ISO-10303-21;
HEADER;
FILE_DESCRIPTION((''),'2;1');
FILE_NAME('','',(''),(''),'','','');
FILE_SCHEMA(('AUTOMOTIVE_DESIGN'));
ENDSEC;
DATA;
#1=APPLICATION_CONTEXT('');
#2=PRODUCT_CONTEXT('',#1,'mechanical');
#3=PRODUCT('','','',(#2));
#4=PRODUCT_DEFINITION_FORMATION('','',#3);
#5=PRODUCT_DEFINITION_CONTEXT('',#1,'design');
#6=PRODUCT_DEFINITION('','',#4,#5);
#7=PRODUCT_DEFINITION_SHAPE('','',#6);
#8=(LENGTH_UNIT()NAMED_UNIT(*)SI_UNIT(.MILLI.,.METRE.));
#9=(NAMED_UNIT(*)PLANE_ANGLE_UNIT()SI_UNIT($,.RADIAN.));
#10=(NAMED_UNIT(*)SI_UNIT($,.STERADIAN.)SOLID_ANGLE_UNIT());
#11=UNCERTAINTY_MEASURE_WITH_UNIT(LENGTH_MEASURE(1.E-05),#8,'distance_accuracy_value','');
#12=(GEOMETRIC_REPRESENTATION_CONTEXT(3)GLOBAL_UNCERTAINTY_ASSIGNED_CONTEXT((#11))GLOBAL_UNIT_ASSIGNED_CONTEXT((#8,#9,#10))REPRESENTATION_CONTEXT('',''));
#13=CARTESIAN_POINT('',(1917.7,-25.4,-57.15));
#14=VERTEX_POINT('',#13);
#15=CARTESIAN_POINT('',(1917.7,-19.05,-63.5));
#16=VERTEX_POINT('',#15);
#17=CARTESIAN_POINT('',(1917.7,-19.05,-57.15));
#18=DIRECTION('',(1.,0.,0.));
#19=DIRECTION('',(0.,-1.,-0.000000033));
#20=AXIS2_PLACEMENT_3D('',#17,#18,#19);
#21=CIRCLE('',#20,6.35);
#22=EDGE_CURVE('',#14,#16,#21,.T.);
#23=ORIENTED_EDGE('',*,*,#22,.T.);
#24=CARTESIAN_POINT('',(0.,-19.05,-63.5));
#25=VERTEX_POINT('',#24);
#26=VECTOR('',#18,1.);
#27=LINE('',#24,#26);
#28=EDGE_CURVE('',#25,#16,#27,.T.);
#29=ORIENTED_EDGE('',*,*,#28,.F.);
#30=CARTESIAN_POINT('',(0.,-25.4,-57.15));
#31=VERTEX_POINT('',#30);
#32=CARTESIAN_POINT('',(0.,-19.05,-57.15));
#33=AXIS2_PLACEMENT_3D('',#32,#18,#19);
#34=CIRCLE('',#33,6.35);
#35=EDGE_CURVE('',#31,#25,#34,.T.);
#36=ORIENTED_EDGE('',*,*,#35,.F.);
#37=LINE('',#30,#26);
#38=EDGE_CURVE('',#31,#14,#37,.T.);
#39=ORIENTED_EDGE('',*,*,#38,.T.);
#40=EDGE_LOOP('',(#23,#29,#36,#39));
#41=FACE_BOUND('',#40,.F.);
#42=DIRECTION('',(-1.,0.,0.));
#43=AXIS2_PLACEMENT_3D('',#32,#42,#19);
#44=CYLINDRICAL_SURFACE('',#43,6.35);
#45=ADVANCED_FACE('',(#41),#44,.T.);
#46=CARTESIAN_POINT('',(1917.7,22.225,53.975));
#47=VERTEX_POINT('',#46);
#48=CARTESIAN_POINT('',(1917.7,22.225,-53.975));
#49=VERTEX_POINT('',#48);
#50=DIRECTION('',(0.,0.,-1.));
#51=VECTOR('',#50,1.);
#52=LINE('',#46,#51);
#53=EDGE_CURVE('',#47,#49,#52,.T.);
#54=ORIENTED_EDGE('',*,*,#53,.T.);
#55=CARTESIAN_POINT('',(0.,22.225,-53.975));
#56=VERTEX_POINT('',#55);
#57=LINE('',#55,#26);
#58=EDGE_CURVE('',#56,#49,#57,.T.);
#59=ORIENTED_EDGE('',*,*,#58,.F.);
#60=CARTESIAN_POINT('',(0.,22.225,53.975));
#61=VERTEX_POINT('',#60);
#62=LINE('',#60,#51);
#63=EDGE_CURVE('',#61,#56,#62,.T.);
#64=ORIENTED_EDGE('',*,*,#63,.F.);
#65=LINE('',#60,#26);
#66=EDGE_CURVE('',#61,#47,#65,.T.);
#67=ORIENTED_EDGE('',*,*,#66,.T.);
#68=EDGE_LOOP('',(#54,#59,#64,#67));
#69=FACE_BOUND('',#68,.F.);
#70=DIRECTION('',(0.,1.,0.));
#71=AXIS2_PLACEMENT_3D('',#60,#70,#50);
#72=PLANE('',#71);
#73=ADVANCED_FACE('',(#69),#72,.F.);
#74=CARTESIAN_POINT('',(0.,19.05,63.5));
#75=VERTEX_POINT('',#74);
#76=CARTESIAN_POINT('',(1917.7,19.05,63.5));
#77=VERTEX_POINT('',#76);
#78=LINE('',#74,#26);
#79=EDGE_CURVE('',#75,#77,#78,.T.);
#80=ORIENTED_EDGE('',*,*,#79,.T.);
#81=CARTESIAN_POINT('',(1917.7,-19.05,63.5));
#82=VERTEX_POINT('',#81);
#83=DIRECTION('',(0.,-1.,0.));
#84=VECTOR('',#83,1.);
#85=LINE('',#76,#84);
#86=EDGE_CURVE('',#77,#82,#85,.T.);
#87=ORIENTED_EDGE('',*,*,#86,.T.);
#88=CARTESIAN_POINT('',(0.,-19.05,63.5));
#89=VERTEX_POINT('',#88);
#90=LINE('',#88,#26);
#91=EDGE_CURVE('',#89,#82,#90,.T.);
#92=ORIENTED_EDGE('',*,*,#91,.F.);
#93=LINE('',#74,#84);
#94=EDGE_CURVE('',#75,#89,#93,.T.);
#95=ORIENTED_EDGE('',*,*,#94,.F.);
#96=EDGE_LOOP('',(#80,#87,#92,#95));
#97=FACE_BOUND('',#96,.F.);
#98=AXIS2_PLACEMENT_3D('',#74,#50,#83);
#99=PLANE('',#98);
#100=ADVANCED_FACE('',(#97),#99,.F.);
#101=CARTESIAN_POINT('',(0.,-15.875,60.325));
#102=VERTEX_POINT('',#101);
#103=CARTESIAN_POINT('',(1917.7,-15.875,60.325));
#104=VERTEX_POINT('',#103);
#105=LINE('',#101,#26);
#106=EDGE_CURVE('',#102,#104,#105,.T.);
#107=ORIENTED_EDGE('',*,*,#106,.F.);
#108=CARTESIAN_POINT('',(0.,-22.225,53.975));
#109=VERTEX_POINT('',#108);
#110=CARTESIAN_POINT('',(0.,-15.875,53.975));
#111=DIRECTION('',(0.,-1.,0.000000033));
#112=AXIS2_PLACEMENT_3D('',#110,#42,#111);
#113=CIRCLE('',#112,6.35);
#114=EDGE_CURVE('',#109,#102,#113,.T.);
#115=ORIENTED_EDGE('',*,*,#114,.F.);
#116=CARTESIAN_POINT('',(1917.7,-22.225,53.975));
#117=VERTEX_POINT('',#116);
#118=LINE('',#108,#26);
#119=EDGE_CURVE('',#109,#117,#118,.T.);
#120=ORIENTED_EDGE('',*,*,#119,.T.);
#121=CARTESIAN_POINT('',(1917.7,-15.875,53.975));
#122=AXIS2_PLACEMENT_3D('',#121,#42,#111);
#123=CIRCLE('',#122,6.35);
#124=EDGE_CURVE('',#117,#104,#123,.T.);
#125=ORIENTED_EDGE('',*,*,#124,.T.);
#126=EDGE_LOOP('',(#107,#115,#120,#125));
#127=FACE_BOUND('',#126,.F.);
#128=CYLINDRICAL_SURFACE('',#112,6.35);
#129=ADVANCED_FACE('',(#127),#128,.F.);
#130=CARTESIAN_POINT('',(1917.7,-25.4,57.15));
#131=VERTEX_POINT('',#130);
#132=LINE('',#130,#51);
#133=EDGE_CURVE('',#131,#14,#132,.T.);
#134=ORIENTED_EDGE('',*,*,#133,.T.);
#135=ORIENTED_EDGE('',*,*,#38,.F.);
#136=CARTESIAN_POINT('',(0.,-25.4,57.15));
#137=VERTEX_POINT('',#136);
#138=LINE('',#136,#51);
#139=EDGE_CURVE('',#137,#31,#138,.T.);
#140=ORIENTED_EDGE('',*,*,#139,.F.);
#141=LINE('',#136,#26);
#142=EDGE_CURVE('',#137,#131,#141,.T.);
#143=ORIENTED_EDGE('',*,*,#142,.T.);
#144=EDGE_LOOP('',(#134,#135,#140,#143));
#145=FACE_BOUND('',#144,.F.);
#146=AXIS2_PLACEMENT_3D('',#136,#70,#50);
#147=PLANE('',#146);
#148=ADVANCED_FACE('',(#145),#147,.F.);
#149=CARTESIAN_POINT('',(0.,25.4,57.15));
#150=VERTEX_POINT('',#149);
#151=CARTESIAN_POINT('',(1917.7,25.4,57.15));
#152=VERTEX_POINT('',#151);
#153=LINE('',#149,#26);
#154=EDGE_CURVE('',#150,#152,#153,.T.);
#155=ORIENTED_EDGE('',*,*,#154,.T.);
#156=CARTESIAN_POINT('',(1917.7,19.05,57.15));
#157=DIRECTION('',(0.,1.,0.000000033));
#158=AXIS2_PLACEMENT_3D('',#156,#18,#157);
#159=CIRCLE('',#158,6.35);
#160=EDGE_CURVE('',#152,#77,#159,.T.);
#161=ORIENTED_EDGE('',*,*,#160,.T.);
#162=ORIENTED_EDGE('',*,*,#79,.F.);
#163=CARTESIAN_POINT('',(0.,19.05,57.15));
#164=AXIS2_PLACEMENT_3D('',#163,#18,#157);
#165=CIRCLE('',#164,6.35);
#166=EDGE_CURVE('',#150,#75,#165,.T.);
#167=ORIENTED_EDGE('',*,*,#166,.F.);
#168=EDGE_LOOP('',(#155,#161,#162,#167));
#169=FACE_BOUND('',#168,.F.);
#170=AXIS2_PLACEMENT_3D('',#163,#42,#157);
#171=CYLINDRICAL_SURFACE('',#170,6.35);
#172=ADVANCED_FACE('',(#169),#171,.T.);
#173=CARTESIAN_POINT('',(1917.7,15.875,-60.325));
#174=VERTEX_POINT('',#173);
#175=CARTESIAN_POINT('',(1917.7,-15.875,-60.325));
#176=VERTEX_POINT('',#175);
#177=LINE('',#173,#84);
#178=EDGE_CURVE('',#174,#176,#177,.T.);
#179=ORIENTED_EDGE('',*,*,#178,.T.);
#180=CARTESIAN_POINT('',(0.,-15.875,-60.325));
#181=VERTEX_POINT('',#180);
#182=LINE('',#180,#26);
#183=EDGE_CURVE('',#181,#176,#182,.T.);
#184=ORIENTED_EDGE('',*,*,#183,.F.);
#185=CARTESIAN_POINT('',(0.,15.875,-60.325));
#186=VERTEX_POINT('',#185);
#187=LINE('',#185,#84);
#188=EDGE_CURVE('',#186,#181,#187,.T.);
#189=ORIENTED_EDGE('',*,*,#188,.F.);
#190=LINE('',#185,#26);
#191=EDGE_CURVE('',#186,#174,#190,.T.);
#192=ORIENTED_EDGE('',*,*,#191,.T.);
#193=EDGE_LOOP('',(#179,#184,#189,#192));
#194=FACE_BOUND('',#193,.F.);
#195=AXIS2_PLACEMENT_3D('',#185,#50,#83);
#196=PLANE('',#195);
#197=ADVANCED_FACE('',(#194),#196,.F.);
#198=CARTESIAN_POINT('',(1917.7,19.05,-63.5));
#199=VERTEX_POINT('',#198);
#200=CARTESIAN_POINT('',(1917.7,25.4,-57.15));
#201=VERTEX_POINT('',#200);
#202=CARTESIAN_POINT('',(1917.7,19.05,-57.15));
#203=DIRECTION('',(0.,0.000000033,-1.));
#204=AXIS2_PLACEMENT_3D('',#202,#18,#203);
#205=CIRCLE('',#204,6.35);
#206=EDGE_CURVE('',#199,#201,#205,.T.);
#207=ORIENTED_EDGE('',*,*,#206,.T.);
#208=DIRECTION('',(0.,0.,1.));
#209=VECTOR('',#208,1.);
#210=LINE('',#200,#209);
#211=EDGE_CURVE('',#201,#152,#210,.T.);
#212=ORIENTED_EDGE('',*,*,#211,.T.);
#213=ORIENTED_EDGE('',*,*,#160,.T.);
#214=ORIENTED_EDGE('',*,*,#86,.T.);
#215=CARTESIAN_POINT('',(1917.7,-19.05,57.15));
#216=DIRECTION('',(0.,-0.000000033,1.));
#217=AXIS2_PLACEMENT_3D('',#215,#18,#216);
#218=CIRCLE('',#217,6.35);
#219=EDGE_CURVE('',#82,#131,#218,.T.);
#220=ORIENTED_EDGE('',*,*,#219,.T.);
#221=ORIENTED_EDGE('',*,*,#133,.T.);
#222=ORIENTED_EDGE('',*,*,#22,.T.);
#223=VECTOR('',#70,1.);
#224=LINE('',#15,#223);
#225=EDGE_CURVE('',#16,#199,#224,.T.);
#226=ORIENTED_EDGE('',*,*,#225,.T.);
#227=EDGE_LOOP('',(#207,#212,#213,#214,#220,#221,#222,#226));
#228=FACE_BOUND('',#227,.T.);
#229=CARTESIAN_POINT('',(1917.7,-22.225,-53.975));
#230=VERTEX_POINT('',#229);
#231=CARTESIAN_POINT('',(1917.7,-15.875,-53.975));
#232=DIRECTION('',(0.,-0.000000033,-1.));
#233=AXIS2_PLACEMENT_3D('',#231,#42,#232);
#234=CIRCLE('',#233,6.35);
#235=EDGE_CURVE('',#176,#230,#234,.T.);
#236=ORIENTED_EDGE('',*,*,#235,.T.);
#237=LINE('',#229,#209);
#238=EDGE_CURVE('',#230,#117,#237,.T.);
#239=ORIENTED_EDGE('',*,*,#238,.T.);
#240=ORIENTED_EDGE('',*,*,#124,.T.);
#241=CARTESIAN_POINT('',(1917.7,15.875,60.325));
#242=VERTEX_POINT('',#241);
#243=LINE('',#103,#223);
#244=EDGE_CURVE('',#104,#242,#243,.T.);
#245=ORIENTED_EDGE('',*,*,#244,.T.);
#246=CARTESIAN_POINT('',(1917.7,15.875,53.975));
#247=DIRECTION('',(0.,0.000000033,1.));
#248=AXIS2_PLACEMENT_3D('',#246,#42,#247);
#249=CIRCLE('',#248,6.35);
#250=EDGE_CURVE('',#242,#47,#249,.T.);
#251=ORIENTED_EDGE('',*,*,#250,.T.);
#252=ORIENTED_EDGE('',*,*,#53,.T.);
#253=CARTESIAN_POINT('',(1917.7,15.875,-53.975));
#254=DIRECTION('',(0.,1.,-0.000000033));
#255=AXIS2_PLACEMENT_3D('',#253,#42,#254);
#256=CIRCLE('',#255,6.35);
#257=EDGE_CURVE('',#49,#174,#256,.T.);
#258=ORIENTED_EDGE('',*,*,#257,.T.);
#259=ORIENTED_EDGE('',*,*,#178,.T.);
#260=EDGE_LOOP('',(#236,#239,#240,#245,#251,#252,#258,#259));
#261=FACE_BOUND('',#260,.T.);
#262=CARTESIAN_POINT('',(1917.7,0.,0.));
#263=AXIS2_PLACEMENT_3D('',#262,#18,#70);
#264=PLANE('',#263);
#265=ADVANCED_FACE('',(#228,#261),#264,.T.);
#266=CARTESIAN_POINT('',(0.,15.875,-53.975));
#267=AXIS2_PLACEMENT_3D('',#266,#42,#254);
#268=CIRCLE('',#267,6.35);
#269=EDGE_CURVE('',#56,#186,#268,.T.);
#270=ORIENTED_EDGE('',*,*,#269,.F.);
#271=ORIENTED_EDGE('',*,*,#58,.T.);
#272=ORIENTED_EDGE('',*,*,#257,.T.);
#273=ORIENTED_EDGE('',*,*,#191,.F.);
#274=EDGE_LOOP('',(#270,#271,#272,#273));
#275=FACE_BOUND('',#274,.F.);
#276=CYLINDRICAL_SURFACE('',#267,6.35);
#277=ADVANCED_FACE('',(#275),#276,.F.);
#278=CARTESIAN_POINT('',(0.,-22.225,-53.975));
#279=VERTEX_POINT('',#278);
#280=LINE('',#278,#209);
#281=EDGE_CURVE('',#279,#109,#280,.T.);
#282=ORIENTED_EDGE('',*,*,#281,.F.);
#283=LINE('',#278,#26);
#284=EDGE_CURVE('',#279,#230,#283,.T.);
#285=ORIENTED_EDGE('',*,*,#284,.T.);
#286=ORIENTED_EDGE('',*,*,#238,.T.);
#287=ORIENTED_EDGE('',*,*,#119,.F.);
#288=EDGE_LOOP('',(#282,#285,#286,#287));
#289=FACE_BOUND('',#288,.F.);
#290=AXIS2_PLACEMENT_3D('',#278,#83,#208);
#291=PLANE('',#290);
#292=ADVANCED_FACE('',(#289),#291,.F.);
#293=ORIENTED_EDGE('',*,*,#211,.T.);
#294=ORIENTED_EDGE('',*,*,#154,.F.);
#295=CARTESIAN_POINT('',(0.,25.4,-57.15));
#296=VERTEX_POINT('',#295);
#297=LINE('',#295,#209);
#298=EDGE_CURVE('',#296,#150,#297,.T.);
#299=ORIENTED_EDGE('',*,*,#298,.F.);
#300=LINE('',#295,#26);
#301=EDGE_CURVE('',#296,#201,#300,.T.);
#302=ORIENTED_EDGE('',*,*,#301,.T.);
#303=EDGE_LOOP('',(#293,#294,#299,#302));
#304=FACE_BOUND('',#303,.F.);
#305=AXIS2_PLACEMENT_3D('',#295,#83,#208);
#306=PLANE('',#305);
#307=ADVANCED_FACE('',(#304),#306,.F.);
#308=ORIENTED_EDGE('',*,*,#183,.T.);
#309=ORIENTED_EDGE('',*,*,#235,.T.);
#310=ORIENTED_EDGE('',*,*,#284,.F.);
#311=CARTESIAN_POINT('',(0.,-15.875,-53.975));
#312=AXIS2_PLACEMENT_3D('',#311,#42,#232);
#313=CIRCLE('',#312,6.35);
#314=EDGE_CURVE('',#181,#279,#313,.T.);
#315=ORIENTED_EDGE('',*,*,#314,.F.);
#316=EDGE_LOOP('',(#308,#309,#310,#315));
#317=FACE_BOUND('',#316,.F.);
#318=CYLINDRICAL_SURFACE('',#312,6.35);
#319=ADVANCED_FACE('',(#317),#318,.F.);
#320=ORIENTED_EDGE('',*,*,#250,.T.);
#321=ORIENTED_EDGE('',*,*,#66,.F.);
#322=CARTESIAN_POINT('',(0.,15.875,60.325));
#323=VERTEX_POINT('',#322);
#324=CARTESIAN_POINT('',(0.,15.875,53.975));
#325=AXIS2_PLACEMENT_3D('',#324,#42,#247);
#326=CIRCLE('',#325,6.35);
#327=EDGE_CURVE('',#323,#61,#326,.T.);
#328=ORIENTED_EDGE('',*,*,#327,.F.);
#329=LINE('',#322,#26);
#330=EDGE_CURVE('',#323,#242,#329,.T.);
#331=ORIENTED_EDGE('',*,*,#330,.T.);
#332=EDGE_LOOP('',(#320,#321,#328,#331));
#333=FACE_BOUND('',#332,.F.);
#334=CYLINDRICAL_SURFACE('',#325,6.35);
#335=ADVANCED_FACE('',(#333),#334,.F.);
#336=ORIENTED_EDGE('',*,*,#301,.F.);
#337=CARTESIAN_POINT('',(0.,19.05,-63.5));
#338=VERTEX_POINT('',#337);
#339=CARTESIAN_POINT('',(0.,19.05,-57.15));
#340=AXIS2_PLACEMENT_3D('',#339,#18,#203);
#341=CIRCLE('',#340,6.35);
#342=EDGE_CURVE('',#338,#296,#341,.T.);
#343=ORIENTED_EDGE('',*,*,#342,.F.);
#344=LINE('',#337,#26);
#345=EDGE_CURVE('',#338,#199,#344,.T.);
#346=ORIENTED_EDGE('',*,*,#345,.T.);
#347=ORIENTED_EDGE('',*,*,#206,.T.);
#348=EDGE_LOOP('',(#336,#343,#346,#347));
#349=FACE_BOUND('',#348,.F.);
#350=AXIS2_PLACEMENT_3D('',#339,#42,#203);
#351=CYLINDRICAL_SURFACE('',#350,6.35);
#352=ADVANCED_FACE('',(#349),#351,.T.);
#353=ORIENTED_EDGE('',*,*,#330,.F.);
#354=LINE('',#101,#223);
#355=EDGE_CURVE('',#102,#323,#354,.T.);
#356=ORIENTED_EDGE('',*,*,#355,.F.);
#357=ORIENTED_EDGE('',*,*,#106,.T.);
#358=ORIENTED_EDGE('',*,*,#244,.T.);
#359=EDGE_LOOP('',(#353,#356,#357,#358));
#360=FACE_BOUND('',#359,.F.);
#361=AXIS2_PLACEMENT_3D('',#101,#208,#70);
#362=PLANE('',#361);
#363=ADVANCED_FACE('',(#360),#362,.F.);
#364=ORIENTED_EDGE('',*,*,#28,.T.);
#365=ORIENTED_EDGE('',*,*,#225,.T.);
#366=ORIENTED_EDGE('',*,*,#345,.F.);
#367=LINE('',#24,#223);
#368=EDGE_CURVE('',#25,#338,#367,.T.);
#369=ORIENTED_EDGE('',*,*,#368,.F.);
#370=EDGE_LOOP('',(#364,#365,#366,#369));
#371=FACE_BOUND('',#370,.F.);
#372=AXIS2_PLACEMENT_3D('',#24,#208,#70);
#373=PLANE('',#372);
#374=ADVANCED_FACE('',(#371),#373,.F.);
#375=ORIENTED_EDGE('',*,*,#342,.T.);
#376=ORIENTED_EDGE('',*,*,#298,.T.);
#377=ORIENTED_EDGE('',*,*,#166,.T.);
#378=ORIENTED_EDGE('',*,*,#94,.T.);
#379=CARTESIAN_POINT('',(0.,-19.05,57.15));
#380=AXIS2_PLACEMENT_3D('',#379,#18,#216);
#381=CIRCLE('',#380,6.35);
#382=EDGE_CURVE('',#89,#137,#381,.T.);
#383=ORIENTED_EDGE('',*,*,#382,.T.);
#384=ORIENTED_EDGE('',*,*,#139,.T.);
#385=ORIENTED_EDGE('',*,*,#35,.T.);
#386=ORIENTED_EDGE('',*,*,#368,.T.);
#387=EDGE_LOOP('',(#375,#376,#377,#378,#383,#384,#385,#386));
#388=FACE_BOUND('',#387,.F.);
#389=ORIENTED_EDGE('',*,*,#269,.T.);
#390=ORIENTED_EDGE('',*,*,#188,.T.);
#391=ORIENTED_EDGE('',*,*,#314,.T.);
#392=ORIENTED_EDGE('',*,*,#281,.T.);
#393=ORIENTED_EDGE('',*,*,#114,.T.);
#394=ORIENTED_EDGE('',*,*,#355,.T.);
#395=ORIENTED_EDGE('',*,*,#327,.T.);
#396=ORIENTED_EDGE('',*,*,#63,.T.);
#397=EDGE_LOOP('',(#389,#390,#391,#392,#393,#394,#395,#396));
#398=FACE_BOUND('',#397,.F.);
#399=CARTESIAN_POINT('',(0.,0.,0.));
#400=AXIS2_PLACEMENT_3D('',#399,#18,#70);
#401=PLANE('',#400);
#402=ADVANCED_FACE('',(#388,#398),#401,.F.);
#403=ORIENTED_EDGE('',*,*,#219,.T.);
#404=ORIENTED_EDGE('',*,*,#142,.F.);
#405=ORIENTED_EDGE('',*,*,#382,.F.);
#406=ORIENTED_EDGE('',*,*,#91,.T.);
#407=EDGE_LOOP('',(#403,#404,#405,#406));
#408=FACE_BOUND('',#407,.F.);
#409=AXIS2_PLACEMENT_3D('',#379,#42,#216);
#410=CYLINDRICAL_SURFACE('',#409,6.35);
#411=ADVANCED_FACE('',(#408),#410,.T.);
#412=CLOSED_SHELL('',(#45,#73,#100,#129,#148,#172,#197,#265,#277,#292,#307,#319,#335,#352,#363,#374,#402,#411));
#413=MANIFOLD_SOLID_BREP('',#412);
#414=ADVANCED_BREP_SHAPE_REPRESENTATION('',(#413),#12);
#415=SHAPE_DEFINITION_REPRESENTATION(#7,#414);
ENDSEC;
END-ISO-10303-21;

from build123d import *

# Parameters (mm, degrees)
F1_DEPTH = 1917.7


with BuildPart() as f1:
    # F0 (on Right) → F1 (new body)
    with BuildSketch(Plane.YZ):
        with BuildLine():
            Line((19.05, 63.5), (-19.05, 63.5))
            ThreePointArc((-19.05, 63.5), (-23.540128, 61.640128), (-25.4, 57.15))
            Line((-25.4, 57.15), (-25.4, -57.15))
            ThreePointArc((-25.4, -57.15), (-23.540128, -61.640128), (-19.05, -63.5))
            Line((-19.05, -63.5), (19.05, -63.5))
            ThreePointArc((19.05, -63.5), (23.540128, -61.640128), (25.4, -57.15))
            Line((25.4, -57.15), (25.4, 57.15))
            ThreePointArc((25.4, 57.15), (23.540128, 61.640128), (19.05, 63.5))
        make_face()
        with BuildLine():
            Line((-15.875, 60.325), (15.875, 60.325))
            ThreePointArc((15.875, 60.325), (20.365128, 58.465128), (22.225, 53.975))
            Line((22.225, 53.975), (22.225, -53.975))
            ThreePointArc((22.225, -53.975), (20.365128, -58.465128), (15.875, -60.325))
            Line((15.875, -60.325), (-15.875, -60.325))
            ThreePointArc((-15.875, -60.325), (-20.365128, -58.465128), (-22.225, -53.975))
            Line((-22.225, -53.975), (-22.225, 53.975))
            ThreePointArc((-22.225, 53.975), (-20.365128, 58.465128), (-15.875, 60.325))
        make_face(mode=Mode.SUBTRACT)
    extrude(amount=F1_DEPTH)


solid = f1.part
